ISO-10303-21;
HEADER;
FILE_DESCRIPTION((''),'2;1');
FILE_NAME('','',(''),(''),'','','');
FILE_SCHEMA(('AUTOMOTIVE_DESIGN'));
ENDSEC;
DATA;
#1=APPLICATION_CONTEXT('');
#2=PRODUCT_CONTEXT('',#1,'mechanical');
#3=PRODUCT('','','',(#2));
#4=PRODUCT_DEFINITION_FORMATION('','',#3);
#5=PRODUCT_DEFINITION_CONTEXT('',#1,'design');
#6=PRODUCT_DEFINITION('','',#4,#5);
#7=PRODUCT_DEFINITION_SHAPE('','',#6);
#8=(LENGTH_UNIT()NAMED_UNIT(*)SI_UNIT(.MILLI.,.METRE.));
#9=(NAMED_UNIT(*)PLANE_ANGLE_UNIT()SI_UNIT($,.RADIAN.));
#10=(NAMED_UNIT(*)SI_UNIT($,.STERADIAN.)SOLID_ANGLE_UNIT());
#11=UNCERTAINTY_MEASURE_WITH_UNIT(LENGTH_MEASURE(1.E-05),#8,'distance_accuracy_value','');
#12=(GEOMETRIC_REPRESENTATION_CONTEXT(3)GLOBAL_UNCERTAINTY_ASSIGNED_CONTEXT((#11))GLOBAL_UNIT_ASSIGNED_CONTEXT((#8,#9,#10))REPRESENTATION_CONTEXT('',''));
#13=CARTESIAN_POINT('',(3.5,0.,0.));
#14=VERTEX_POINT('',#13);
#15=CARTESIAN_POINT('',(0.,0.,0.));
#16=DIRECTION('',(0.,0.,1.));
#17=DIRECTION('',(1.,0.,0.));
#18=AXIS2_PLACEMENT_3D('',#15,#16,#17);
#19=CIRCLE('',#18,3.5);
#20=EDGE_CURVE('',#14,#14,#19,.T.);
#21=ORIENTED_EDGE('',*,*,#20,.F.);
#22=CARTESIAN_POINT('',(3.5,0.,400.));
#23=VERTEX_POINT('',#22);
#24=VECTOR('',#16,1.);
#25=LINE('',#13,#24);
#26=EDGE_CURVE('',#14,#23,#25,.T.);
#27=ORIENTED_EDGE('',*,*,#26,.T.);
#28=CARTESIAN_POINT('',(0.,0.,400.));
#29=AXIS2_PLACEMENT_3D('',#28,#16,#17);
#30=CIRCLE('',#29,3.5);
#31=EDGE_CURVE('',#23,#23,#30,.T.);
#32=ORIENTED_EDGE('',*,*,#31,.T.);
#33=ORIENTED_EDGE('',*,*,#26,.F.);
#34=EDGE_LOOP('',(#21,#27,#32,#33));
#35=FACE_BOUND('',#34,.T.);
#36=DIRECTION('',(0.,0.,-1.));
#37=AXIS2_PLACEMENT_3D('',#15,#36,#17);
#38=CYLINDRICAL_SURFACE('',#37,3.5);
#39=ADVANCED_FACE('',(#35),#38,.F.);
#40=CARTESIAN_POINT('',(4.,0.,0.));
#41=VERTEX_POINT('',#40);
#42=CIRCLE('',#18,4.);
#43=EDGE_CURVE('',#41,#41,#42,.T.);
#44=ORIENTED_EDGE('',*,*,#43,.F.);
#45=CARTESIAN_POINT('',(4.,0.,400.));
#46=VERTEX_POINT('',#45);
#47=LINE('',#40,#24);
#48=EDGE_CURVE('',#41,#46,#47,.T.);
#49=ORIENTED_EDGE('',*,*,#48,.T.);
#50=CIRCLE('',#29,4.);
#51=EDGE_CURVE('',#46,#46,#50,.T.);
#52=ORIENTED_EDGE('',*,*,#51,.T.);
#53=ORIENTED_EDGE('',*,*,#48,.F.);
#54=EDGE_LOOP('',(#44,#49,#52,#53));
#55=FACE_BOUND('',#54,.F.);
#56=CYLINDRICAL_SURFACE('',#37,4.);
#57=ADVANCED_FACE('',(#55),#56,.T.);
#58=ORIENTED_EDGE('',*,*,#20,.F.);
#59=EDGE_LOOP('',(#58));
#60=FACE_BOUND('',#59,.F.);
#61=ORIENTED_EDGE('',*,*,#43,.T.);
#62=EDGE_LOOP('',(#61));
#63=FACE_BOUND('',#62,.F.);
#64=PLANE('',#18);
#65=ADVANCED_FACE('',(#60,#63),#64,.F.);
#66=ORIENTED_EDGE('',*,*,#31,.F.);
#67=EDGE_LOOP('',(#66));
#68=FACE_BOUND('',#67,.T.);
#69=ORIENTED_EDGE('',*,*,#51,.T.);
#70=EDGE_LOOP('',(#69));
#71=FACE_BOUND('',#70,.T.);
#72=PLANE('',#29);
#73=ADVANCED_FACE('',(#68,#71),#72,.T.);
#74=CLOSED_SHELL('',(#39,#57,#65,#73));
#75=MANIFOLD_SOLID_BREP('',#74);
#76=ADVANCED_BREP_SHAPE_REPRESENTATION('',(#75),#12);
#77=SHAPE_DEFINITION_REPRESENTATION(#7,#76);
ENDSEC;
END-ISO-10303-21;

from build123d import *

# Parameters (mm, degrees)
ESQUISSE1_R        = 4
ESQUISSE1_R_2      = 3.5
BOSS_EXTRU_1_DEPTH = 400


with BuildPart() as part:
    # Esquisse1 → Boss.-Extru.1 (new body)
    with BuildSketch(Plane.XY):
        Circle(ESQUISSE1_R)
        Circle(ESQUISSE1_R_2, mode=Mode.SUBTRACT)
    extrude(amount=BOSS_EXTRU_1_DEPTH)


solid = part.part
